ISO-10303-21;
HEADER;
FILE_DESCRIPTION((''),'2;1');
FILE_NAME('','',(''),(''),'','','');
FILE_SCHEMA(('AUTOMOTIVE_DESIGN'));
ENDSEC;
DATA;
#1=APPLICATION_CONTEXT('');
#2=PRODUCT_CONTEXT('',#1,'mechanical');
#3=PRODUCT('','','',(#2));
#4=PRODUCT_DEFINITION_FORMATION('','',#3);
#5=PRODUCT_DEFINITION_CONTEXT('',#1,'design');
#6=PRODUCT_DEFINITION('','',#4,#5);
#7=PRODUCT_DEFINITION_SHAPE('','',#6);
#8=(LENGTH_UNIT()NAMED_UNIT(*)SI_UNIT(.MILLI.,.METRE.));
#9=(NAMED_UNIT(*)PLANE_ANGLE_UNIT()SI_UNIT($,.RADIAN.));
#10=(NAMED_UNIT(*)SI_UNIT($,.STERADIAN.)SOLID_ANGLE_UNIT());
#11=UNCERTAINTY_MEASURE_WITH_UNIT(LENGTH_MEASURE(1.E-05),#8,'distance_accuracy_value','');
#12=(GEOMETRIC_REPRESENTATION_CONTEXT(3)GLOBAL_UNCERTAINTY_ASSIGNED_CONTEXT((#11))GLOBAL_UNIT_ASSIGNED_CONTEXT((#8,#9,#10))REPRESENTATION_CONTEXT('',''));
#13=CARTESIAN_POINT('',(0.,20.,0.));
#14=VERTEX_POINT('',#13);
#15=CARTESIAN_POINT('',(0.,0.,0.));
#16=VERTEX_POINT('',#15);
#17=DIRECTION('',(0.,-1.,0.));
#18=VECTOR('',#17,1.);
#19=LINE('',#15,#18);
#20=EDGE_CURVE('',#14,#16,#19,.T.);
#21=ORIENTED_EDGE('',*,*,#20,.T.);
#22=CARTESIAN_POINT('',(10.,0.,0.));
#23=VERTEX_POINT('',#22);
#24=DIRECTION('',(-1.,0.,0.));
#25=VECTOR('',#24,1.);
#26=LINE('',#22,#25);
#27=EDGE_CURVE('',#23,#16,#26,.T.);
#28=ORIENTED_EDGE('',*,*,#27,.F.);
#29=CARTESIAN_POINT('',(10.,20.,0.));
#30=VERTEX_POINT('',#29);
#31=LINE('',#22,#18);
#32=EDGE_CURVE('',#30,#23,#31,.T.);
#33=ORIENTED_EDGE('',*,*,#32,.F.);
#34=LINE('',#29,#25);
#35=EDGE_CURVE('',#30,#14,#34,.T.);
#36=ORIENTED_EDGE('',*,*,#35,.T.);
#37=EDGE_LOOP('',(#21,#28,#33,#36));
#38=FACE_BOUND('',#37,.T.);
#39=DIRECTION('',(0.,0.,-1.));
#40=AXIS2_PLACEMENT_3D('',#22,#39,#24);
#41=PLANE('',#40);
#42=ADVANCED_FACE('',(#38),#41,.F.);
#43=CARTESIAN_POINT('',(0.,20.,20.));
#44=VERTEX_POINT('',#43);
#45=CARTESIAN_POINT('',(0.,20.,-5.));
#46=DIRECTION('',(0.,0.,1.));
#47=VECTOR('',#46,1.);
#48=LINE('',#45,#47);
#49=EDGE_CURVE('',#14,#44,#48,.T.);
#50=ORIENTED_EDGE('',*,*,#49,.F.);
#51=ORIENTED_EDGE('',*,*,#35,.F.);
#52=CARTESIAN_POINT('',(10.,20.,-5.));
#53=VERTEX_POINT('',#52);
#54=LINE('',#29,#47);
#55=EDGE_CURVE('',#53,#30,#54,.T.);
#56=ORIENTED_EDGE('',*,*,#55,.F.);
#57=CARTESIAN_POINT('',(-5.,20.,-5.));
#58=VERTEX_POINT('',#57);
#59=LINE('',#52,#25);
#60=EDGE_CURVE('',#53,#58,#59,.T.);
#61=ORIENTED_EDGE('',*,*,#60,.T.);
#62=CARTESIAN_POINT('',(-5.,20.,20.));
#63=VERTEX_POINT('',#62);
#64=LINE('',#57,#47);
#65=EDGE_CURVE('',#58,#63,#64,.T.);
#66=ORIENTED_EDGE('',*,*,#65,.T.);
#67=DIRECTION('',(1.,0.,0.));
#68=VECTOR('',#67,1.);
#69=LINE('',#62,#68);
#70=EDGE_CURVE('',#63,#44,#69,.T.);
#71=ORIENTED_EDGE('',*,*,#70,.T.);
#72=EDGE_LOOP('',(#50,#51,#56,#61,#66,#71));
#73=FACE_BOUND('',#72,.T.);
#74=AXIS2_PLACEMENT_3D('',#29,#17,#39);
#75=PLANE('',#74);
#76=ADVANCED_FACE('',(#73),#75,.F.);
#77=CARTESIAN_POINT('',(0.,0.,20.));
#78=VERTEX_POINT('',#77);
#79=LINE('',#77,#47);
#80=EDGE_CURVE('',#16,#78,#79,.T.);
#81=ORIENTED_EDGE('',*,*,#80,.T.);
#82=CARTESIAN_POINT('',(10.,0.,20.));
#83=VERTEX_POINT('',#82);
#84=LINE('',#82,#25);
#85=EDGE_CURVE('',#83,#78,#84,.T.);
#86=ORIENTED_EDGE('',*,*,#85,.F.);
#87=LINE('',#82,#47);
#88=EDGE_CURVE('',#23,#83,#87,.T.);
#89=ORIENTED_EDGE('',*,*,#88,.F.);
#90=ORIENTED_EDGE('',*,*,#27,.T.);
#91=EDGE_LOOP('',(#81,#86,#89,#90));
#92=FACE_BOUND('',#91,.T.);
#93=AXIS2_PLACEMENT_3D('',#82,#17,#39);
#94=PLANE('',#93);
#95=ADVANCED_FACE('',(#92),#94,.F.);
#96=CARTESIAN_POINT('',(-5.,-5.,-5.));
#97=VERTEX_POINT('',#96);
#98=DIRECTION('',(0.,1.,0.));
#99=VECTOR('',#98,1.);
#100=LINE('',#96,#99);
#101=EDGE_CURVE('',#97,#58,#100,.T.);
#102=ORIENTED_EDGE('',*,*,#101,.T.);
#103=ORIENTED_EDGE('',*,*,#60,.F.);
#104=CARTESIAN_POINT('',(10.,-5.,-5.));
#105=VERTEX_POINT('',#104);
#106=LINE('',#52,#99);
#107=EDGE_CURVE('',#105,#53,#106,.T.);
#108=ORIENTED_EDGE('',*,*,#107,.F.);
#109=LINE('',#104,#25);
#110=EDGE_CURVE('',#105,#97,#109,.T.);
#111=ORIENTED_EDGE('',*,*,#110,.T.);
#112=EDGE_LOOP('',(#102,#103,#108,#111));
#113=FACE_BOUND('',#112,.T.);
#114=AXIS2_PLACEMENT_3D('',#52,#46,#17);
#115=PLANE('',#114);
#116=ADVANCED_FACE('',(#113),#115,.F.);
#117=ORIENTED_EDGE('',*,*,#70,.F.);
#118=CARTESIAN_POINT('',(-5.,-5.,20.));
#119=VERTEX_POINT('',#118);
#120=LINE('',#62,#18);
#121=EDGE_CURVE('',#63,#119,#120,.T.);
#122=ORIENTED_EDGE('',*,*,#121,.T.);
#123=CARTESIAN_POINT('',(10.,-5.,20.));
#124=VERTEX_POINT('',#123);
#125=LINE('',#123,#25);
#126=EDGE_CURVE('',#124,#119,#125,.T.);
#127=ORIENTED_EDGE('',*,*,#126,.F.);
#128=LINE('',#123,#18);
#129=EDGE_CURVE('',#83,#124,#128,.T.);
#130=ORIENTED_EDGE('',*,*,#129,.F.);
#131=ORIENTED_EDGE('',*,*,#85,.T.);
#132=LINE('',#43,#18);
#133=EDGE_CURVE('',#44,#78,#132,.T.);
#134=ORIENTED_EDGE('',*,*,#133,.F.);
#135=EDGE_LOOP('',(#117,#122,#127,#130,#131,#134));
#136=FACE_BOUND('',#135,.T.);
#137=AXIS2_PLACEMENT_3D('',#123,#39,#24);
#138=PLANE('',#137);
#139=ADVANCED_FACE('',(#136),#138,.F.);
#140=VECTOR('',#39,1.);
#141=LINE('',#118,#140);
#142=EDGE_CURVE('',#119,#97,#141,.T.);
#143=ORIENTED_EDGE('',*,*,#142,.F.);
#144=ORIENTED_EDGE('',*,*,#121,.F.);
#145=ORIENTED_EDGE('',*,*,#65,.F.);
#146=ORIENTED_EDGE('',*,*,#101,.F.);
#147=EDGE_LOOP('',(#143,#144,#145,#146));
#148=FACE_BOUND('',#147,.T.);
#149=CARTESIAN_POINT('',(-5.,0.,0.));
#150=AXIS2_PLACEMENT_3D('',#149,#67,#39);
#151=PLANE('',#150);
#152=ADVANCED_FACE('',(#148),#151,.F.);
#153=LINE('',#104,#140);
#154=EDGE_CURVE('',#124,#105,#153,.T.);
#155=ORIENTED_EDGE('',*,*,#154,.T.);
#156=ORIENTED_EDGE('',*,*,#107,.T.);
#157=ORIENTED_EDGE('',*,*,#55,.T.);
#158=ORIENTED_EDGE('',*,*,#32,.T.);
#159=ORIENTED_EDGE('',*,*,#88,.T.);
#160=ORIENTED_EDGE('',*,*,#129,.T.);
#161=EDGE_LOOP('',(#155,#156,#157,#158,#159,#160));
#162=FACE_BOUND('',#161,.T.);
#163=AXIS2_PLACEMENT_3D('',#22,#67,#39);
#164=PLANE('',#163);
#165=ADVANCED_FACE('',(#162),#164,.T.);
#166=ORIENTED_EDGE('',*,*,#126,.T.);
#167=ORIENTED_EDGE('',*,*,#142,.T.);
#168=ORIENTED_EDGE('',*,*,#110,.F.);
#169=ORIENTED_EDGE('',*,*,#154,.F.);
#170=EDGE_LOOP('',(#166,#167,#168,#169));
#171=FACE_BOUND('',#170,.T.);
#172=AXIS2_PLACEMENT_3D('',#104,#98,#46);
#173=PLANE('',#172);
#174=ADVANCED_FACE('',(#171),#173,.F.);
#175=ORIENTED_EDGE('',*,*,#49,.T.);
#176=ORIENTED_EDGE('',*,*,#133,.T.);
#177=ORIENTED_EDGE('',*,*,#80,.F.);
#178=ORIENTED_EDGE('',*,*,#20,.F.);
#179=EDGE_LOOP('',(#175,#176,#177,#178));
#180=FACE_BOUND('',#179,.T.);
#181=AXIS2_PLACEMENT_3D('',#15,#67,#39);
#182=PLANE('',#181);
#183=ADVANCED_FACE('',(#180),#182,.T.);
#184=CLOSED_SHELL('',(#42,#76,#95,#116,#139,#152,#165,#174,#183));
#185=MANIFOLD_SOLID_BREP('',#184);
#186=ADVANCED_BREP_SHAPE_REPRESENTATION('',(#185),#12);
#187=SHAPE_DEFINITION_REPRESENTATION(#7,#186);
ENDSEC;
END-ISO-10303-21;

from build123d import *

# Parameters (mm, degrees)
BOSS_EXTRUDE1_DEPTH = 10
SKETCH2_W           = 25
SKETCH2_H           = 25
BOSS_EXTRUDE2_DEPTH = 5


with BuildPart() as part:
    # Sketch1 → Boss-Extrude1 (new body)
    with BuildSketch(Plane(origin=(0, 0, 0), x_dir=(0, 0, -1), z_dir=(1, 0, 0))):
        Polygon((0, 0), (0, 20), (5, 20), (5, -5), (-20, -5), (-20, 0), align=None)
    extrude(amount=BOSS_EXTRUDE1_DEPTH)

    # Sketch2 → Boss-Extrude2 (add)
    with BuildSketch(Plane(origin=(0, 0, 0), x_dir=(0, 0, -1), z_dir=(1, 0, 0))):
        with Locations((-7.5, 7.5)):
            Rectangle(SKETCH2_W, SKETCH2_H)
    extrude(amount=-BOSS_EXTRUDE2_DEPTH)


solid = part.part
